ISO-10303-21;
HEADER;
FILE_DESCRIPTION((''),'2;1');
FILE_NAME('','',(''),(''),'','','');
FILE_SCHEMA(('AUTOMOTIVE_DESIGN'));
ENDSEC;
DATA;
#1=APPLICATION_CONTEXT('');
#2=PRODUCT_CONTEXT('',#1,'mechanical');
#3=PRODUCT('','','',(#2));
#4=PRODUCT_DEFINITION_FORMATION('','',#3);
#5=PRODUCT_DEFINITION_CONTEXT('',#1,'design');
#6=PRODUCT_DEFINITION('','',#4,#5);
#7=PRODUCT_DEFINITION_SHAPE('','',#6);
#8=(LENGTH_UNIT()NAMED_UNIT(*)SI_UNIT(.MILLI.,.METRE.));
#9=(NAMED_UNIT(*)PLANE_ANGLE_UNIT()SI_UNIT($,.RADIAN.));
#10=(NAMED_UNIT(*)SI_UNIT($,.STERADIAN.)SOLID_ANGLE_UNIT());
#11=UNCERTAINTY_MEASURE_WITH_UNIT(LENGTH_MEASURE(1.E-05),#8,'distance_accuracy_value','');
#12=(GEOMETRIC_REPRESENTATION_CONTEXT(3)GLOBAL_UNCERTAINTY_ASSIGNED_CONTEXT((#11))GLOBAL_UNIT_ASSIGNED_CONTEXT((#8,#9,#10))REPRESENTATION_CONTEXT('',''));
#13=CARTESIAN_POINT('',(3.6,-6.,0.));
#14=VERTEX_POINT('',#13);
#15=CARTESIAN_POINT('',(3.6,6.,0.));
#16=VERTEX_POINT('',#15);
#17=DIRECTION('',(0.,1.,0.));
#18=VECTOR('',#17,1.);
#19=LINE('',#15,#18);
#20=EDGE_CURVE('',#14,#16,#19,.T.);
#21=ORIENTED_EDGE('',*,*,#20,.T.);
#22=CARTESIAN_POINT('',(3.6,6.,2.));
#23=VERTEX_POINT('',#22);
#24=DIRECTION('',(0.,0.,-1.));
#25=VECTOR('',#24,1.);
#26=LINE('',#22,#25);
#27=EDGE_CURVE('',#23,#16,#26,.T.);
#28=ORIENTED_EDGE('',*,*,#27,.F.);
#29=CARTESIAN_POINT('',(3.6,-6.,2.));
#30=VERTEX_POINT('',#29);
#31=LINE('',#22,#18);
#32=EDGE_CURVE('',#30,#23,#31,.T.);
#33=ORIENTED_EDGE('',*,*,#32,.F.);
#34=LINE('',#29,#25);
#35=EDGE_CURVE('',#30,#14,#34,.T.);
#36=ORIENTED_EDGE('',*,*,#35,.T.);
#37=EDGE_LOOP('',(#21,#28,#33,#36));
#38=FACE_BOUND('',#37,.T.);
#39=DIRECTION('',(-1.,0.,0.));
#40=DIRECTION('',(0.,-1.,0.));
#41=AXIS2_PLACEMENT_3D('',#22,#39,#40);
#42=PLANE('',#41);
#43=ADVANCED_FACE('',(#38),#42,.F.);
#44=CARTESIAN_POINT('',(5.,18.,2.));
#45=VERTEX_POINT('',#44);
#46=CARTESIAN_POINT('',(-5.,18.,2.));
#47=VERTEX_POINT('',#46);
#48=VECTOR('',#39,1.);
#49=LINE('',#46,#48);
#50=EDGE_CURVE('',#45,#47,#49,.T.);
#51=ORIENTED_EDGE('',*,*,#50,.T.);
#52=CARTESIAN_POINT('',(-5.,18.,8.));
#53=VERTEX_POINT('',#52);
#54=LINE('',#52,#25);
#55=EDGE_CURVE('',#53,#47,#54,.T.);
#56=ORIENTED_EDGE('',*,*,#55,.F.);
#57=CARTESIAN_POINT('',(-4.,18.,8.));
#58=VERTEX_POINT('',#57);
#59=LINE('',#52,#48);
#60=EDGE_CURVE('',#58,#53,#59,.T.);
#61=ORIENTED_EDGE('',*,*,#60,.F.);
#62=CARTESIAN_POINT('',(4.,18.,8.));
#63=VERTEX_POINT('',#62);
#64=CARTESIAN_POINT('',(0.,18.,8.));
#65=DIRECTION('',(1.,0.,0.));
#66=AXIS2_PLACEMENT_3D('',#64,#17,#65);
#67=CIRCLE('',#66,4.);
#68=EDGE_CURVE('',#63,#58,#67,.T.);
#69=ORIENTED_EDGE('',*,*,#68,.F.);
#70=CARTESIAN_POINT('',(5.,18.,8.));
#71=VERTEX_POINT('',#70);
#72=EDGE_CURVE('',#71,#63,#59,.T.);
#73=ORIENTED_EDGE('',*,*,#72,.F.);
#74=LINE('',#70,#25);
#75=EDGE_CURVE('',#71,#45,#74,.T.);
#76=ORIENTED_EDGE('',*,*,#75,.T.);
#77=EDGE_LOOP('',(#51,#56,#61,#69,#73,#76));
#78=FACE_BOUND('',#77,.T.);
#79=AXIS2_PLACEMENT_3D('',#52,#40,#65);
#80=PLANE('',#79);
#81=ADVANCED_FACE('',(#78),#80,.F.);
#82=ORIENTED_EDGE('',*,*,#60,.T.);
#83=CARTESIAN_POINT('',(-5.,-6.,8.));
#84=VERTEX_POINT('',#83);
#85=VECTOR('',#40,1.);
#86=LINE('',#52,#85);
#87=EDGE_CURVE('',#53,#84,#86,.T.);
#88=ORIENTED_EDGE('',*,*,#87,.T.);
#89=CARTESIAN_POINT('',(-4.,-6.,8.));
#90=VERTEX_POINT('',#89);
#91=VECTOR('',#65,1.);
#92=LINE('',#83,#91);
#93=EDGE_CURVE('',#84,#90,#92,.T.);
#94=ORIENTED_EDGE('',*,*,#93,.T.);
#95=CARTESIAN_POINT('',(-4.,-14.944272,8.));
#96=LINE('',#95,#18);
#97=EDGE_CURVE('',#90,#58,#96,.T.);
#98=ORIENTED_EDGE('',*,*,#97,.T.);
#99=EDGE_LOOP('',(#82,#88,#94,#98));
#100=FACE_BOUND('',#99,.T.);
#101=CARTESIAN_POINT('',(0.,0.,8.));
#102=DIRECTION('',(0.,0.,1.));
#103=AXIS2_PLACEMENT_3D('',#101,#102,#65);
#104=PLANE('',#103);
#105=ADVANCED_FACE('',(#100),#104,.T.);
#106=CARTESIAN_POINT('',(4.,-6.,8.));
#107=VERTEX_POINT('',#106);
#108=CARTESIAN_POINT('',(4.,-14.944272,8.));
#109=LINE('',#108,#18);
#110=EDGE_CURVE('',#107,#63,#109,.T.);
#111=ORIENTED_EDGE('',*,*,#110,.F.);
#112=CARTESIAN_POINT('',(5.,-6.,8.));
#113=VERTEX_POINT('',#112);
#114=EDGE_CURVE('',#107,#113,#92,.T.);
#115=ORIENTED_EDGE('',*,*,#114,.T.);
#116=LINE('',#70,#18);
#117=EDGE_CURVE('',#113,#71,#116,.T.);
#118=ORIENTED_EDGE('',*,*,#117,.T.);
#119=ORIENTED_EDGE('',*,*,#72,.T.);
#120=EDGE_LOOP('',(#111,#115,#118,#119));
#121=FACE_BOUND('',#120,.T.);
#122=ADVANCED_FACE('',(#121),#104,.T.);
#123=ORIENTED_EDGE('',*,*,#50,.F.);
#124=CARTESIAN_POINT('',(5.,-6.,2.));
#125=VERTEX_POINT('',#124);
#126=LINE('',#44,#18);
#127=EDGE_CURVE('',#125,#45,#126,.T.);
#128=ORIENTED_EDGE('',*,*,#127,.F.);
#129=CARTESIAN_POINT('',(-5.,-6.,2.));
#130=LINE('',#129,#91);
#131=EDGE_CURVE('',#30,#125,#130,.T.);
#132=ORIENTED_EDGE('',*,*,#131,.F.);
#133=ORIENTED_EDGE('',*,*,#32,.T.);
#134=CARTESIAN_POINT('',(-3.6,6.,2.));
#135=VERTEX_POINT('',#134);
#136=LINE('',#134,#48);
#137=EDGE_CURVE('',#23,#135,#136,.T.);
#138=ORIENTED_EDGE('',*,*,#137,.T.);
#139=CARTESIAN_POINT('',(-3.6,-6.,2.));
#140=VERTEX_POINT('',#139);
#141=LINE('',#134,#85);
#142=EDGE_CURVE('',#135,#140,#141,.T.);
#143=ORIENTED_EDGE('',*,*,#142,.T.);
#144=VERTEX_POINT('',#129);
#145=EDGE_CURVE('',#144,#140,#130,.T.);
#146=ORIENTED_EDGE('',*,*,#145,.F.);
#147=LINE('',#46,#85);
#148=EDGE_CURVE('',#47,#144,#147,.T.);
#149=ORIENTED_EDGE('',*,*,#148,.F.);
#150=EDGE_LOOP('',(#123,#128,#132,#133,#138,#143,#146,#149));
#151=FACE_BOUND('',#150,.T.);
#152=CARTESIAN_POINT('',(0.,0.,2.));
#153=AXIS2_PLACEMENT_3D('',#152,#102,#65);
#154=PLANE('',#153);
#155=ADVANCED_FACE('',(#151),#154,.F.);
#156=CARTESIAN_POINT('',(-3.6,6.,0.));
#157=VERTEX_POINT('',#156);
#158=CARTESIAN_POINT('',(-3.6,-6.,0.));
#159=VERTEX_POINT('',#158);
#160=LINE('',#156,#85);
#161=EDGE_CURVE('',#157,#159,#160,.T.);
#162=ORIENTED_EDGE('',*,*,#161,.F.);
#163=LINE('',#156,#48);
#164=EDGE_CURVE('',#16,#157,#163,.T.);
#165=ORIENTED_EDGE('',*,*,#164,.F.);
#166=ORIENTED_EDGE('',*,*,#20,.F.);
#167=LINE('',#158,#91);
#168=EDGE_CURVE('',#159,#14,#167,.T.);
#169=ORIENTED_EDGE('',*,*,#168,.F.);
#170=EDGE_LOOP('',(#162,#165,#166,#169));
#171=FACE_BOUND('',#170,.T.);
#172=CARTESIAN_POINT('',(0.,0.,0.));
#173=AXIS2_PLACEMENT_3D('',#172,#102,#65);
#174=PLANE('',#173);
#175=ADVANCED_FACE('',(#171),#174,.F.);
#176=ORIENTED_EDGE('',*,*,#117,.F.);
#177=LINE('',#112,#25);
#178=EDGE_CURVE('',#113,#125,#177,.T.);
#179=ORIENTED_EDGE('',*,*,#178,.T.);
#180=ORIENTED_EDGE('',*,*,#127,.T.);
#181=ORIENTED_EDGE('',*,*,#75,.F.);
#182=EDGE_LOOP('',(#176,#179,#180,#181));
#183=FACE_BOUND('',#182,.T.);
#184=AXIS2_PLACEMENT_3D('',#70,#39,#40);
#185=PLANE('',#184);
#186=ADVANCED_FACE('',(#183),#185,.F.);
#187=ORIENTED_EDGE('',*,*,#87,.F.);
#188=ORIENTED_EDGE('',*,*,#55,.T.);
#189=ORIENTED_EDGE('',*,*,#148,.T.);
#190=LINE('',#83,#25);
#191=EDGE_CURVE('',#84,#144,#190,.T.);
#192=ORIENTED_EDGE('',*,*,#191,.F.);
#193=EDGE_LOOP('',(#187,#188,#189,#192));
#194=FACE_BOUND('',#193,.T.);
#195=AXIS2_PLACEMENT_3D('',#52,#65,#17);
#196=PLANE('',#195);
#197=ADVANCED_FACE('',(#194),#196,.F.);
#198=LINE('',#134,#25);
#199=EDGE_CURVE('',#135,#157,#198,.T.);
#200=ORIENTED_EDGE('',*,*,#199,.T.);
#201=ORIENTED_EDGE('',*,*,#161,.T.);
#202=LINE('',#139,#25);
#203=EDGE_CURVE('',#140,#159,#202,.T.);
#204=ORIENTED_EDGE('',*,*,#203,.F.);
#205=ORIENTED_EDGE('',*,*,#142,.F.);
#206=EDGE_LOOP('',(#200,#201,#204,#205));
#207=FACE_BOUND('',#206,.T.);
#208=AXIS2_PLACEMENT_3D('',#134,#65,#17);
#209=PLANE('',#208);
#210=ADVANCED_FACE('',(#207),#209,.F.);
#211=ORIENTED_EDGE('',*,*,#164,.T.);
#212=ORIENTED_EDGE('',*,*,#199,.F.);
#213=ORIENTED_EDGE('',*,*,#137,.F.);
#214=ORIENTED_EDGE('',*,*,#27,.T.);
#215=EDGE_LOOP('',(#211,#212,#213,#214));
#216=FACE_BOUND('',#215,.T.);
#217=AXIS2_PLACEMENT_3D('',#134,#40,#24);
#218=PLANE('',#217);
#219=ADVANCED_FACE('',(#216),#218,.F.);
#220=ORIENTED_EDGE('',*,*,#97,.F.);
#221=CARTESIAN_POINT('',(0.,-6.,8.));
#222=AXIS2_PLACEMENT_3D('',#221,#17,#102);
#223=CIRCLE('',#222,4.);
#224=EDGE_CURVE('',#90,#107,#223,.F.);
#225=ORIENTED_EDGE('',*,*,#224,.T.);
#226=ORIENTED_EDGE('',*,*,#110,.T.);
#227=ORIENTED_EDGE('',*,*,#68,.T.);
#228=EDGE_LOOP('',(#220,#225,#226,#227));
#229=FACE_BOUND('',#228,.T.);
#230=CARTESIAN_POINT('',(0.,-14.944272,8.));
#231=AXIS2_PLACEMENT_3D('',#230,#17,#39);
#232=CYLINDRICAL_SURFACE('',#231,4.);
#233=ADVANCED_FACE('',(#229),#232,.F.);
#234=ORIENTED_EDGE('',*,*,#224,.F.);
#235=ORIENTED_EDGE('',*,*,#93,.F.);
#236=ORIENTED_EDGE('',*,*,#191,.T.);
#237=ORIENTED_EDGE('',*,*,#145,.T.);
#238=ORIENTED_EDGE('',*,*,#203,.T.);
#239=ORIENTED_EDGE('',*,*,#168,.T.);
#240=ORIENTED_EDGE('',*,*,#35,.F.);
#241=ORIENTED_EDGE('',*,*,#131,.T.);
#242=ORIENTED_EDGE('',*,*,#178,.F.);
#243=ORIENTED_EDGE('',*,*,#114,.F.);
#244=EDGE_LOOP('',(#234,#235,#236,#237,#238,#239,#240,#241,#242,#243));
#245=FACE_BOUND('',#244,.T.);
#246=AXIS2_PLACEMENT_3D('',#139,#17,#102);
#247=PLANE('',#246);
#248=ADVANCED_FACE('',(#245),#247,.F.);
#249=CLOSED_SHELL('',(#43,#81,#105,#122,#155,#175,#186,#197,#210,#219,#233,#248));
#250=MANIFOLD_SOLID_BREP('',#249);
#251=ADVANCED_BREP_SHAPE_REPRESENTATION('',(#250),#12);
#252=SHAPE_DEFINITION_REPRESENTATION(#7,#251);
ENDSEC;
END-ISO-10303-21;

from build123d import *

# Parameters (mm, degrees)
SKETCH1_W           = 7.2
SKETCH1_H           = 12
BOSS_EXTRUDE1_DEPTH = 2
SKETCH2_W           = 10
SKETCH2_H           = 24
BOSS_EXTRUDE2_DEPTH = 6
CUT_EXTRUDE1_DEPTH  = 24


with BuildPart() as part:
    # Sketch1 → Boss-Extrude1 (new body)
    with BuildSketch(Plane.XY):
        Rectangle(SKETCH1_W, SKETCH1_H)
    extrude(amount=BOSS_EXTRUDE1_DEPTH)

    # Sketch2 → Boss-Extrude2 (add)
    with BuildSketch(Plane.XY.offset(2)):
        with Locations((0, 6)):
            Rectangle(SKETCH2_W, SKETCH2_H)
    extrude(amount=BOSS_EXTRUDE2_DEPTH)

    # Sketch5 → Cut-Extrude1 (cut)
    with BuildSketch(Plane(origin=(0, 18, 0), x_dir=(1, 0, 0), z_dir=(0, 1, 0))):
        with BuildLine():
            Line((-4, -8), (4, -8))
            ThreePointArc((4, -8), (0, -4), (-4, -8))
        make_face()
    extrude(amount=-CUT_EXTRUDE1_DEPTH, mode=Mode.SUBTRACT)


solid = part.part
